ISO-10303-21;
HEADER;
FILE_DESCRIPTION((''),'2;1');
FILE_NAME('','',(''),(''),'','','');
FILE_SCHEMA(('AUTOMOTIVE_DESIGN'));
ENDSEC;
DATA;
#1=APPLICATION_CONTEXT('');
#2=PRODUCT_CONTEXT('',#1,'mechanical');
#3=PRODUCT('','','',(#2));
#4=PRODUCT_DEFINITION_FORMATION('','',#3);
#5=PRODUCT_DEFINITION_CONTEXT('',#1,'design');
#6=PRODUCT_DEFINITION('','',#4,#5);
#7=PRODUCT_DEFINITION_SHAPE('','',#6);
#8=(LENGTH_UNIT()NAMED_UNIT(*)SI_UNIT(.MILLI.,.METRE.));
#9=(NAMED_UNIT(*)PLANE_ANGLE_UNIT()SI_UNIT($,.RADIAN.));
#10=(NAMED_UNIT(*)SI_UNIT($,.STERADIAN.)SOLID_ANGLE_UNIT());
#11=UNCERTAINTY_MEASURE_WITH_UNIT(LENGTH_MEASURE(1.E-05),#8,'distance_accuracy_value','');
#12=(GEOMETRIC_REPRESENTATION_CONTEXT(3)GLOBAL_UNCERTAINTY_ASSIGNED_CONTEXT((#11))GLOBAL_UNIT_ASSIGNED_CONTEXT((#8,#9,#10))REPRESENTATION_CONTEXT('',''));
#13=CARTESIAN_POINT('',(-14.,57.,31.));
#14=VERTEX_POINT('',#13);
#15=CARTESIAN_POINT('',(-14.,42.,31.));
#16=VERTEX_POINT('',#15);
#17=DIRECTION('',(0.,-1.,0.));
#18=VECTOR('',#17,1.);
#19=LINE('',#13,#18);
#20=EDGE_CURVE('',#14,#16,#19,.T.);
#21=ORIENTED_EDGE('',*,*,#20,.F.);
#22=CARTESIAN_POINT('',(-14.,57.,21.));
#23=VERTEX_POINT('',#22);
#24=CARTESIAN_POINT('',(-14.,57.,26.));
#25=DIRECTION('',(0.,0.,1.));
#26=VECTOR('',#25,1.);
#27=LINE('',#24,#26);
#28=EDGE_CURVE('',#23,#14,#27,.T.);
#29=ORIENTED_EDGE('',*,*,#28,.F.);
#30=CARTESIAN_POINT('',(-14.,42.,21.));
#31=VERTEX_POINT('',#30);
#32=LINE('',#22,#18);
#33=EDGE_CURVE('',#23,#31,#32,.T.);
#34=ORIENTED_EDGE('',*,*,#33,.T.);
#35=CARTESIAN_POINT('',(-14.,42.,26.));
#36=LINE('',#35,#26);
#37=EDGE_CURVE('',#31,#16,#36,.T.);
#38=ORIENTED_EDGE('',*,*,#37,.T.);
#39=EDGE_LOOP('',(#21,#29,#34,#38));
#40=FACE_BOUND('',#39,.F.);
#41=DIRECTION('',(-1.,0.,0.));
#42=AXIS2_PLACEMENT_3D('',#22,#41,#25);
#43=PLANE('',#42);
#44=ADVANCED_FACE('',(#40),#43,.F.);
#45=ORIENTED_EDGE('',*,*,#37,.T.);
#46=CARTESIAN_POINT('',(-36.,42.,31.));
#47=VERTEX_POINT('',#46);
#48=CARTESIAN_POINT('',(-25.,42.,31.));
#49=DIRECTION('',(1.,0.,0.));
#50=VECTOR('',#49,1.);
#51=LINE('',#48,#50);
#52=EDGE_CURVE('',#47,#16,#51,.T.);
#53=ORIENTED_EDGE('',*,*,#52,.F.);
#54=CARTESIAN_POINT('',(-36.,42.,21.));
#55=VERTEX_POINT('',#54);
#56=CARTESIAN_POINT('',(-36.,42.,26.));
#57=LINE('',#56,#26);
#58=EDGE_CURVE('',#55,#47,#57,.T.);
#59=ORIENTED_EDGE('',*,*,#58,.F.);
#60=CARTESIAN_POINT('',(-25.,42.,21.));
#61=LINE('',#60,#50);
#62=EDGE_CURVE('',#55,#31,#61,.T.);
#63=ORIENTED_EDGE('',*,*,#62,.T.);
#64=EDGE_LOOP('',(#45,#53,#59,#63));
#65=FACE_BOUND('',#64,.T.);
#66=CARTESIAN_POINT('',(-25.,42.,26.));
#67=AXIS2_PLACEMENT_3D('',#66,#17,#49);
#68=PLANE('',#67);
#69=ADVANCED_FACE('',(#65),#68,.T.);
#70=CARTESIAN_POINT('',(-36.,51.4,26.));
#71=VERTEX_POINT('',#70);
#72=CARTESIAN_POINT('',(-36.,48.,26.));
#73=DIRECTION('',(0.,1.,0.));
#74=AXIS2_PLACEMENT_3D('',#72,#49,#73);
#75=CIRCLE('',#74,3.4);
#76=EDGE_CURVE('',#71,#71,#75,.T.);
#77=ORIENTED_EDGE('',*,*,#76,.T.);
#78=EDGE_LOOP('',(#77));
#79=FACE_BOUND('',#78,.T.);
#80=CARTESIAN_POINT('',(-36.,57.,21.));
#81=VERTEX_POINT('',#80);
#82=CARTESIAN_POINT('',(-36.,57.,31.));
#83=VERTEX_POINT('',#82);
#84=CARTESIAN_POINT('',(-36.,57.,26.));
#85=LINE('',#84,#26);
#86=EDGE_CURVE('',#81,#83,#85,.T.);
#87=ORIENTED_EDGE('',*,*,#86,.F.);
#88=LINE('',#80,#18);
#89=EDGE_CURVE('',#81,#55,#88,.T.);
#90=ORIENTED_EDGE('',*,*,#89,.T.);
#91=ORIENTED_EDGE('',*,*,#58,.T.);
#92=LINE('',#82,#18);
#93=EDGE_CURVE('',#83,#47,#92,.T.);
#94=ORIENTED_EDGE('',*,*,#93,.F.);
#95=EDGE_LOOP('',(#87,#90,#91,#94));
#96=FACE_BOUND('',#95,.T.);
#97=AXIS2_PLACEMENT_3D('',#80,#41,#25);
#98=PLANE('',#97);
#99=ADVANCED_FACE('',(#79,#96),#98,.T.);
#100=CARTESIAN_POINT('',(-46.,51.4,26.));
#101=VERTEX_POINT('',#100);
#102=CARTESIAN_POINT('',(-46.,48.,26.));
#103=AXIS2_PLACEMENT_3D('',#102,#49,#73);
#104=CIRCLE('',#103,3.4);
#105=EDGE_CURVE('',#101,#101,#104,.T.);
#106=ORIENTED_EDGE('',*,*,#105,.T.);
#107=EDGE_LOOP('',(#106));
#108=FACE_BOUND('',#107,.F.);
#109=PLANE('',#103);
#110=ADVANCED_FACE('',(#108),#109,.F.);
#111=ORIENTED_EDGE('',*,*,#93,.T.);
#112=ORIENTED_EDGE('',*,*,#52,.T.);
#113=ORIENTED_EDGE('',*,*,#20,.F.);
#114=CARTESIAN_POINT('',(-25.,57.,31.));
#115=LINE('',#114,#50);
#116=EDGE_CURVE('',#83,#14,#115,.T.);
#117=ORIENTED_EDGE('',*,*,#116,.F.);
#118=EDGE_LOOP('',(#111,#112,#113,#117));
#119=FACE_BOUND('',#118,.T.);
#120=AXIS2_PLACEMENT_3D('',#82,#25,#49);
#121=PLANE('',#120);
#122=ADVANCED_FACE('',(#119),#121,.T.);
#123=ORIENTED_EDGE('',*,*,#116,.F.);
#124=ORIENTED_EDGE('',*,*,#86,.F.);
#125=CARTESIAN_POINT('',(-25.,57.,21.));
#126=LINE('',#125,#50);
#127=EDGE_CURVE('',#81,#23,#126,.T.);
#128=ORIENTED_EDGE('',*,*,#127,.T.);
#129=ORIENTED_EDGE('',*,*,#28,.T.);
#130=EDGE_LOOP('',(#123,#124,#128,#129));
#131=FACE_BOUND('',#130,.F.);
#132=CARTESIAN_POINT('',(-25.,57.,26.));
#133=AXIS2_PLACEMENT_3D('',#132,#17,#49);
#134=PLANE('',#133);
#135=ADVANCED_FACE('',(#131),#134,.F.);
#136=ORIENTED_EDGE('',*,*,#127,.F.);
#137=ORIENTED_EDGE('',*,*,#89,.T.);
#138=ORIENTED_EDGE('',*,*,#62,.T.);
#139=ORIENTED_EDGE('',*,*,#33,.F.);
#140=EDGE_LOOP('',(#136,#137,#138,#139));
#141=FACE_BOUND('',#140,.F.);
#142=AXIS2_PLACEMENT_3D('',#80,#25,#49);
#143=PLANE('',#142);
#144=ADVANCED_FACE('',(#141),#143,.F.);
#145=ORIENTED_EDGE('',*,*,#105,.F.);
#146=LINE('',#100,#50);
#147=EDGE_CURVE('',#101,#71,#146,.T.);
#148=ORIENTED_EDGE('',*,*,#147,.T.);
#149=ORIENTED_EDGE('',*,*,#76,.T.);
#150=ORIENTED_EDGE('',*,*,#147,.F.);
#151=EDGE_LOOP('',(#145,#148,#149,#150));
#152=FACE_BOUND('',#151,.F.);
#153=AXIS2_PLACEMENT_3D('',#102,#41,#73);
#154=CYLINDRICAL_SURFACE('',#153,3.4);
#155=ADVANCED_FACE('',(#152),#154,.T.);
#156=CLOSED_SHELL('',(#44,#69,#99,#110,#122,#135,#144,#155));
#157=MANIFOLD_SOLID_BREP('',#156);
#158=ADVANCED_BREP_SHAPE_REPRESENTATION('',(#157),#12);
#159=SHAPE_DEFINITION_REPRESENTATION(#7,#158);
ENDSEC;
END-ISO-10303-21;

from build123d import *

# Parameters (mm, degrees)
CYLINDER_R                   = 3.4
CYLINDER_DEPTH               = 10
BOX003_W                     = 22
BOX003_H                     = 10
BOX003_DEPTH                 = 15
FUSION002004_PLACEMENT_ANGLE = 90


with BuildPart() as cylinder:
    # Cylinder → Cylinder (new body)
    with BuildSketch(Plane(origin=(-10, 5, 9), x_dir=(0, 0, -1), z_dir=(1, 0, 0))):
        Circle(CYLINDER_R)
    extrude(amount=CYLINDER_DEPTH)


with BuildPart() as potentiometer:
    # Box003 → Box003 (new body)
    with BuildSketch(Plane.XY):
        with Locations((11, 5)):
            Rectangle(BOX003_W, BOX003_H)
    extrude(amount=BOX003_DEPTH)

    # Fusion002004: union Cylinder
    add(cylinder.part)


with BuildPart() as potentiometer_1:
    # Fusion002004 placement: moved
    add(potentiometer.part.moved(Location((-36, 57, 21))).rotate(Axis((-36, 57, 21), (1, 0, 0)), FUSION002004_PLACEMENT_ANGLE))


solid = potentiometer_1.part
